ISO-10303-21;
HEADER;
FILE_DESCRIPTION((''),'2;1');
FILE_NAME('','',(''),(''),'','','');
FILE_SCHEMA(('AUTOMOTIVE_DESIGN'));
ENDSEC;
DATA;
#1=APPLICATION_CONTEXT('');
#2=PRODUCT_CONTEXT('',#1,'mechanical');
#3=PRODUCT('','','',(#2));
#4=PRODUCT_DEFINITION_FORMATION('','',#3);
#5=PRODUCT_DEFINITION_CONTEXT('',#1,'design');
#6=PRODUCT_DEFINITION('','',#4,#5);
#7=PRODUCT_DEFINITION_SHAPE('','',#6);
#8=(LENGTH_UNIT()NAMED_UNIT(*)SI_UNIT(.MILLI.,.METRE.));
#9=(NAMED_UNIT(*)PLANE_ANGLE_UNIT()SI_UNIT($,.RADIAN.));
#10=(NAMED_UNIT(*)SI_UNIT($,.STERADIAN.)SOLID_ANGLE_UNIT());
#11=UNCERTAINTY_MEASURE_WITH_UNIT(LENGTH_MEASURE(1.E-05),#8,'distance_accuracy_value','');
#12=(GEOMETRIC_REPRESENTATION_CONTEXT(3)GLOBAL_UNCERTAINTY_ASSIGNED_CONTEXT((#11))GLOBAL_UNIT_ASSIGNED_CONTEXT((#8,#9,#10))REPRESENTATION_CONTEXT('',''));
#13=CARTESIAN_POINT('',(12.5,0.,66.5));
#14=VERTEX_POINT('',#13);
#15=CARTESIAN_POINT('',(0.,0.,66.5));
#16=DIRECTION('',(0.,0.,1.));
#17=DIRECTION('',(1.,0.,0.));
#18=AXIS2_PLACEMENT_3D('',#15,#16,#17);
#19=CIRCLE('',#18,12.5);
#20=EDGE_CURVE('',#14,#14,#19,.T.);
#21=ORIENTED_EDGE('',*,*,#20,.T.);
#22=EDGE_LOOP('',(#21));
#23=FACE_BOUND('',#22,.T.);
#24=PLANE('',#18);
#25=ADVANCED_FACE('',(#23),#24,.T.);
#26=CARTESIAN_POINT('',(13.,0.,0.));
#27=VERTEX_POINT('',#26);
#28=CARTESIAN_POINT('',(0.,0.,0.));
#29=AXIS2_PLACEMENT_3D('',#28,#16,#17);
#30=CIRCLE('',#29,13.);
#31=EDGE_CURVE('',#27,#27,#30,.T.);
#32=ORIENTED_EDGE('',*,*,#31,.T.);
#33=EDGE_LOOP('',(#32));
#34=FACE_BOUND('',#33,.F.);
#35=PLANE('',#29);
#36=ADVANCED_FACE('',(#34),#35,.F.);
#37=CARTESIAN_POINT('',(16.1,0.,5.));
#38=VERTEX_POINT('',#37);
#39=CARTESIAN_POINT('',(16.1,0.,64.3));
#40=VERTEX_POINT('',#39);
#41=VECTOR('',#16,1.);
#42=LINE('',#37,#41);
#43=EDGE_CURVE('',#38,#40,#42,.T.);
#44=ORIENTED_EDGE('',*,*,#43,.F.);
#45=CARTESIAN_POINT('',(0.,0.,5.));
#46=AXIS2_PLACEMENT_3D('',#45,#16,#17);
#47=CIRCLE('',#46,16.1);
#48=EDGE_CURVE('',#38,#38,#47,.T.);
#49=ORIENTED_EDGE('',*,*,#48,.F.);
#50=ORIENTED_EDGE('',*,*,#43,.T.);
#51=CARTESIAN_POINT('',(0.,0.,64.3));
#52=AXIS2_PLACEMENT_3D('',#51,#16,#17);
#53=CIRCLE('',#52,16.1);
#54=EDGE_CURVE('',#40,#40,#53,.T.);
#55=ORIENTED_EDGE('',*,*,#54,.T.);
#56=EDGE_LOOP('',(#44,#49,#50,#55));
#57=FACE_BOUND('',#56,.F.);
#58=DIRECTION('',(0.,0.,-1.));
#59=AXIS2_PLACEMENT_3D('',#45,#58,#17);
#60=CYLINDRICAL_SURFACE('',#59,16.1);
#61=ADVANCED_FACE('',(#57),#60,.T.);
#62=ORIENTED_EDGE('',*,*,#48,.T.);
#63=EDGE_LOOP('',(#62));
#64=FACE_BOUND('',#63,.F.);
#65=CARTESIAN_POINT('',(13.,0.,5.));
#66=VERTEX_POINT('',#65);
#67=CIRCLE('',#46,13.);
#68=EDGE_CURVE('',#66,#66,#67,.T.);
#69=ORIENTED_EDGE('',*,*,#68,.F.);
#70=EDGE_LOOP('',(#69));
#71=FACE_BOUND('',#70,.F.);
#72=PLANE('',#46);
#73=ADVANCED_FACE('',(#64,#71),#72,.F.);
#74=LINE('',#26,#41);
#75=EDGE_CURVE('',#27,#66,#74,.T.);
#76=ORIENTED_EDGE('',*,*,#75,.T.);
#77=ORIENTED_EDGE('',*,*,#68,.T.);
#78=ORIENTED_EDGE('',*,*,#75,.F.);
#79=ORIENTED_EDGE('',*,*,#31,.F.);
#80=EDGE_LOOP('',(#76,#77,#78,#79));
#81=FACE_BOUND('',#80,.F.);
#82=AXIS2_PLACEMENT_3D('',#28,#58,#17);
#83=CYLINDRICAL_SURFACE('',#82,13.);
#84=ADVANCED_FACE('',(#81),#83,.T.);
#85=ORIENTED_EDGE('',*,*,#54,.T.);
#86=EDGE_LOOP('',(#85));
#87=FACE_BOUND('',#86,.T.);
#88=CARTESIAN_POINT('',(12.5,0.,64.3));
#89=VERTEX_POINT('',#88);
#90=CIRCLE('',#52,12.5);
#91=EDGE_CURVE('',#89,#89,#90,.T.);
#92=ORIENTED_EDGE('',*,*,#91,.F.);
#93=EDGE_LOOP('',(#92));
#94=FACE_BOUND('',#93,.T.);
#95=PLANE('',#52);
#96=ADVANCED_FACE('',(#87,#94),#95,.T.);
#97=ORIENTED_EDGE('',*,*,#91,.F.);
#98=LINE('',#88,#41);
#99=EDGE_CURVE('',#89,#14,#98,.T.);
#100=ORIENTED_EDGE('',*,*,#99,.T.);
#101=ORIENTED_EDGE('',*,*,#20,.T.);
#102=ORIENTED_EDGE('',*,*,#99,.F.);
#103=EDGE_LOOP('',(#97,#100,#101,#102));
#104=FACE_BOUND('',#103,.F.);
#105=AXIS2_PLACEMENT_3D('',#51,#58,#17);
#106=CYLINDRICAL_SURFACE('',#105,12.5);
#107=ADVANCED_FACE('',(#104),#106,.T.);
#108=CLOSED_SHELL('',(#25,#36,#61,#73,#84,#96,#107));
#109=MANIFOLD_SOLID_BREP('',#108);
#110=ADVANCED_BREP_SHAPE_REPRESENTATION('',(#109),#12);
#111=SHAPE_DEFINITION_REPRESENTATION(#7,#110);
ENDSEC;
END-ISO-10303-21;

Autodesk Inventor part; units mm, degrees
ref_plane "YZ Plane" through (0, 0, 0) normal (1, 0, 0) x (0, 1, 0)
ref_plane "XZ Plane" through (0, 0, 0) normal (0, 1, 0) x (-1, 0, 0)
ref_plane "XY Plane" through (0, 0, 0) normal (0, 0, 1) x (1, 0, 0)
sketch "Sketch1" plane through (0, 0, 0) normal (0, 0, 1) x (1, 0, 0)
  circle A0 centre (0, 0) radius 13
  dimension "d0" = 26
extrude "Extrusion1" add sketch "Sketch1" along normal blind 5
sketch "Sketch2" plane through (0, 0, 5) normal (0, 0, 1) x (1, 0, 0)
  circle A0 centre (0, 0) radius 16.1
  dimension "d3" = 32.2
extrude "Extrusion2" add sketch "Sketch2" along normal blind 59.3
sketch "Sketch3" plane through (0, 0, 64.3) normal (0, 0, 1) x (1, 0, 0)
  circle A0 centre (0, 0) radius 12.5
  dimension "d6" = 25
extrude "Extrusion3" add sketch "Sketch3" along normal blind 2.2
properties part number "10X_mitutoyoObj"
